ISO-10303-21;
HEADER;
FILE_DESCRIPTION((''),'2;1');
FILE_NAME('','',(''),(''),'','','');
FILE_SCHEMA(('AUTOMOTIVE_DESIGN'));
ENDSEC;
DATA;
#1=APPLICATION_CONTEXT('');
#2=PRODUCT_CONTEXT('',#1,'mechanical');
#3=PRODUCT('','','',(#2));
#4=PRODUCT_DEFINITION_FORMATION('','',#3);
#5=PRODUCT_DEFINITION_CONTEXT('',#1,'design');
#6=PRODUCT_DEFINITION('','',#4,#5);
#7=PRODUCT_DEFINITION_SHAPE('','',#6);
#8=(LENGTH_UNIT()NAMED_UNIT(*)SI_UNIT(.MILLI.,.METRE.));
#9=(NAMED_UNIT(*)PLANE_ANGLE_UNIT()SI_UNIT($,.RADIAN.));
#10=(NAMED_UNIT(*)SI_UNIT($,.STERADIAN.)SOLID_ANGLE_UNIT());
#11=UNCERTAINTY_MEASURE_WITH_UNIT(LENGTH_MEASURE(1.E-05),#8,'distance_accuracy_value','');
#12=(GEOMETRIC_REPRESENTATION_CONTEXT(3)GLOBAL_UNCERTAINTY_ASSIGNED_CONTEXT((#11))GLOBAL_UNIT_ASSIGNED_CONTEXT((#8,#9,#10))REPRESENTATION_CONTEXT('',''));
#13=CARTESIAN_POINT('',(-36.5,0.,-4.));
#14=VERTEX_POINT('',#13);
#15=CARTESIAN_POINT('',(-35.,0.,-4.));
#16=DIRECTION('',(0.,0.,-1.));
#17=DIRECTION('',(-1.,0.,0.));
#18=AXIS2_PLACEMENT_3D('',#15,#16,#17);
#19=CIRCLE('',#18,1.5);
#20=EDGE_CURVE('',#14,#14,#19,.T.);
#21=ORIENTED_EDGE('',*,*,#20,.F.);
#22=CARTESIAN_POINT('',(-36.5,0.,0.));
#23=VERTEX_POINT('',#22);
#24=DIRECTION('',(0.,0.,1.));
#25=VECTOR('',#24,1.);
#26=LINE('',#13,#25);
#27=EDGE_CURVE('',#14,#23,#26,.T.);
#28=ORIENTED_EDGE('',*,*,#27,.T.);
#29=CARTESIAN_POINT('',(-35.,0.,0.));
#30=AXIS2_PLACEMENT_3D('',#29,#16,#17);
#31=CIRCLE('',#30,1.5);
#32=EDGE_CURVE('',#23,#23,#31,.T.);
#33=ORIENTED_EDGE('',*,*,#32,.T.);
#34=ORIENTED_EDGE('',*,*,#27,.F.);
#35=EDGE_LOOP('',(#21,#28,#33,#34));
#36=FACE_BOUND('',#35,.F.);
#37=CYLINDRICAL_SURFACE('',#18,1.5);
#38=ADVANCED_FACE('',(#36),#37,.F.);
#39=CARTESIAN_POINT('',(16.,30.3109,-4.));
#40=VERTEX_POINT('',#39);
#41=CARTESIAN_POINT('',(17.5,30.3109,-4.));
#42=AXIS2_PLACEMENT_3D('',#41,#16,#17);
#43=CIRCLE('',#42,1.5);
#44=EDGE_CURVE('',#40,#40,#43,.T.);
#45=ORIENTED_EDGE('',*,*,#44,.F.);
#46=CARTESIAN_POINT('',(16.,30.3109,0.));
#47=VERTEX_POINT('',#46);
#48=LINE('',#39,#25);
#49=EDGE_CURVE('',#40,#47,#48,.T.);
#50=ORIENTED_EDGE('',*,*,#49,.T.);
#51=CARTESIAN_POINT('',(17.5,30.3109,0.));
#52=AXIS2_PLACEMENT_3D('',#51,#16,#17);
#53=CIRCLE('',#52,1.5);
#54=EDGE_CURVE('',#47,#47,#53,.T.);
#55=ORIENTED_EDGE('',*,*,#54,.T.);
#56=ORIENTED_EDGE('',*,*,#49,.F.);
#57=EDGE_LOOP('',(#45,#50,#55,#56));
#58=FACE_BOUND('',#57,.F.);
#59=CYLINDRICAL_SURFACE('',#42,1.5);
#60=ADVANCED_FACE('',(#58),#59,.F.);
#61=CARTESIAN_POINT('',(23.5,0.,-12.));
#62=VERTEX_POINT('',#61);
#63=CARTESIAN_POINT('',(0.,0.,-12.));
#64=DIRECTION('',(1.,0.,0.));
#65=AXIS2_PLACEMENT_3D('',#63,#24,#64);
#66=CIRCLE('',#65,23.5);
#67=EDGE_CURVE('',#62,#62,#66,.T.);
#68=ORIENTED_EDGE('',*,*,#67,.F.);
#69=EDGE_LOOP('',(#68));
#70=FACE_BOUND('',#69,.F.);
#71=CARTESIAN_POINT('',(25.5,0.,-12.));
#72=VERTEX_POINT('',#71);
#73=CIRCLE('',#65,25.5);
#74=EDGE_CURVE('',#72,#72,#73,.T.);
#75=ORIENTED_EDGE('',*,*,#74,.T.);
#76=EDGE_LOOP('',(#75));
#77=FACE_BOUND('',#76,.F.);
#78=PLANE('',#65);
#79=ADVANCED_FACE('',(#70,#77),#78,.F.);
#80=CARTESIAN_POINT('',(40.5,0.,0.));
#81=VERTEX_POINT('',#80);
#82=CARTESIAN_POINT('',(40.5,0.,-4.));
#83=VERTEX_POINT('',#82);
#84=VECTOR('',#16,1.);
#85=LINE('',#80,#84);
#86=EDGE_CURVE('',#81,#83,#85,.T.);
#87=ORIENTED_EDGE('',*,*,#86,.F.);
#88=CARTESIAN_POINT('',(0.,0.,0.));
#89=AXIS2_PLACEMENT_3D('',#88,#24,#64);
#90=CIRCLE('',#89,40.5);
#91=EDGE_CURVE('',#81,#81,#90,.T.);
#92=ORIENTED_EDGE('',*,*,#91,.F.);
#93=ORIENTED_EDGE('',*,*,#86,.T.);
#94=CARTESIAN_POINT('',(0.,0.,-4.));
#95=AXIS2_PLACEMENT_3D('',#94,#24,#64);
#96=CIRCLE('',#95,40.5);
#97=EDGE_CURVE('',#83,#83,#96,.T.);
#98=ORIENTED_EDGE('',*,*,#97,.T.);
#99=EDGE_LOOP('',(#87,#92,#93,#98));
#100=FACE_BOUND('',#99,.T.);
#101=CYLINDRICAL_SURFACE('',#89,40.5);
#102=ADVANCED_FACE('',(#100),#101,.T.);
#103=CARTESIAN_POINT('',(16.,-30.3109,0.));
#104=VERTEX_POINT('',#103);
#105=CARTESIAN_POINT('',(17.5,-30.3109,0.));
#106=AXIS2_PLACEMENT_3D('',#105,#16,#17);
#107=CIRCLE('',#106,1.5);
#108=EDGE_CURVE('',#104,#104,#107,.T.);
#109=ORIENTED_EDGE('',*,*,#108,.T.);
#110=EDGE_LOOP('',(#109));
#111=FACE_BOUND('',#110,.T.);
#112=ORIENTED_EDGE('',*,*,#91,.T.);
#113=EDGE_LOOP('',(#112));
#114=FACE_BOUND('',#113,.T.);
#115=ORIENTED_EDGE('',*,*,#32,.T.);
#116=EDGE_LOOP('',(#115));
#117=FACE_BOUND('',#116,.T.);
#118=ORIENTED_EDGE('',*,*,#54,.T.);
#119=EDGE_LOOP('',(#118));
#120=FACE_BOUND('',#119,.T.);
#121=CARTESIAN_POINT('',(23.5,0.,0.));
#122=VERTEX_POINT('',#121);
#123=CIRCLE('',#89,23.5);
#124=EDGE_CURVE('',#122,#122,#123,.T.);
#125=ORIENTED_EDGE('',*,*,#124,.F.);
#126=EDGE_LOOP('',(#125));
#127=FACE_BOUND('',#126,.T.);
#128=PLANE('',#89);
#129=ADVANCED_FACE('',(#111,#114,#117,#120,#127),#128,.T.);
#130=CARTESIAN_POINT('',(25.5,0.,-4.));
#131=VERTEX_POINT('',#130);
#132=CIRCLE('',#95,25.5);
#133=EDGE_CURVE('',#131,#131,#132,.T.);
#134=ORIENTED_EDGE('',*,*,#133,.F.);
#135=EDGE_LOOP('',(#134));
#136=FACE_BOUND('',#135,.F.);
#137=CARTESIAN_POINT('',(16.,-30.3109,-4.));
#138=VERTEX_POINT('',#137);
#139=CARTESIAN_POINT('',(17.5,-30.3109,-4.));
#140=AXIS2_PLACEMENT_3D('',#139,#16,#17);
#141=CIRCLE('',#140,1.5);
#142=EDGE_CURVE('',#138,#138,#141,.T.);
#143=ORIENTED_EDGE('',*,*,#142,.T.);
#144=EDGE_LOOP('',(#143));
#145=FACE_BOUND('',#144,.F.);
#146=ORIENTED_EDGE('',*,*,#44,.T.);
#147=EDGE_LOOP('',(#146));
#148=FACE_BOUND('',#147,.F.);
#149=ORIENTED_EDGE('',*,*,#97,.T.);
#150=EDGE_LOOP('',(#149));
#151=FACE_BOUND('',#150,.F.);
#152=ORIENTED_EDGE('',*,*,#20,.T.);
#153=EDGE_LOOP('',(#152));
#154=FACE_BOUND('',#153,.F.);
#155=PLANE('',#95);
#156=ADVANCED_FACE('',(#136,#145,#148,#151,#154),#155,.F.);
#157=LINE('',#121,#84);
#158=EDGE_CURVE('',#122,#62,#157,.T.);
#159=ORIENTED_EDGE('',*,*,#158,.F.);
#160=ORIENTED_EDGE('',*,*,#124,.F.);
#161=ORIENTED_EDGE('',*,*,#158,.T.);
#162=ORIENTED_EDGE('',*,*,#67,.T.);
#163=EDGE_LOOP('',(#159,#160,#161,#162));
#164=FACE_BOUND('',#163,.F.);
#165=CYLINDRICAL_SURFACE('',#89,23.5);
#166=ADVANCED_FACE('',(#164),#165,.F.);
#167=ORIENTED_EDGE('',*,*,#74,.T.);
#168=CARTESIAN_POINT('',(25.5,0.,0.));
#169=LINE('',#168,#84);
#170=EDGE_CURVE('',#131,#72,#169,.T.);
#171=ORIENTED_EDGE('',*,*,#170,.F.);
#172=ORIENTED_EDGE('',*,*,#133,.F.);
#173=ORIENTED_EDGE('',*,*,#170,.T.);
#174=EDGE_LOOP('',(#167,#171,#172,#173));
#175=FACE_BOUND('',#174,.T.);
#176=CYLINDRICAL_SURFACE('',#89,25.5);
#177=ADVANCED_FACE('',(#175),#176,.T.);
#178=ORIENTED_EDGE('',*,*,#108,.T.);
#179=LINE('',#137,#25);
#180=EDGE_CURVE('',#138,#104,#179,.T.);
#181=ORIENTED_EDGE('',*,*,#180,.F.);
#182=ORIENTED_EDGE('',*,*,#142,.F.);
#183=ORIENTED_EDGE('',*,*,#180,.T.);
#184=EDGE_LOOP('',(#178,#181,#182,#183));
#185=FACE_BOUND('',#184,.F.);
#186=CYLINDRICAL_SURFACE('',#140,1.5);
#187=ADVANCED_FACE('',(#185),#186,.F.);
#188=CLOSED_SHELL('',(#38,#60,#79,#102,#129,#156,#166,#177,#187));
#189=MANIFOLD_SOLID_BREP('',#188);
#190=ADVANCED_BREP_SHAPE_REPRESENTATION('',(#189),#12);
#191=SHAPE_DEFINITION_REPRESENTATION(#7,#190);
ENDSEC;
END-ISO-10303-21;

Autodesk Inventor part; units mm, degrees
ref_plane "YZ Plane" through (0, 0, 0) normal (1, 0, 0) x (0, 1, 0)
ref_plane "XZ Plane" through (0, 0, 0) normal (0, 1, 0) x (-1, 0, 0)
ref_plane "XY Plane" through (0, 0, 0) normal (0, 0, 1) x (1, 0, 0)
sketch "Sketch1" plane through (0, 0, 0) normal (0, 0, 1) x (1, 0, 0)
  circle A0 centre (0, 0) radius 23.5
  circle A1 centre (0, 0) radius 25.5
  circle A2 centre (0, 0) radius 40.5
  dimension "d0" = 47
  dimension "d15" = 81
  dimension "d17" = 51
extrude "Extrusion1" add sketch "Sketch1" against normal blind 4 contours A2
extrude "Extrusion2" add sketch "Sketch1" against normal blind 12 contours A1
sketch "Sketch2" plane through (0, 0, -4) normal (0, 0, -1) x (-1, 0, 0)
  circle A0 centre (0, 0) radius 25.5 projected
  circle A1 centre (0, 0) radius 40.5 projected
  circle A2 centre (35, 0) radius 1.5
  circle A3 centre (-17.5, 30.3109) radius 1.5
  circle A4 centre (-17.5, -30.3109) radius 1.5
  dimension "d8" = 35
  dimension "d11" = 360
  dimension "d18" = 3
extrude "Extrusion3" cut sketch "Sketch2" against normal blind 12 contours A2 | A3 | A4
equation "\"d0\" = a"
equation "\"d18\" = e"
equation "\"d9\" = e"
equation "\"a\" = 47"
equation "\"e\" = 3"
properties part number "ACO.RODA25-01"
